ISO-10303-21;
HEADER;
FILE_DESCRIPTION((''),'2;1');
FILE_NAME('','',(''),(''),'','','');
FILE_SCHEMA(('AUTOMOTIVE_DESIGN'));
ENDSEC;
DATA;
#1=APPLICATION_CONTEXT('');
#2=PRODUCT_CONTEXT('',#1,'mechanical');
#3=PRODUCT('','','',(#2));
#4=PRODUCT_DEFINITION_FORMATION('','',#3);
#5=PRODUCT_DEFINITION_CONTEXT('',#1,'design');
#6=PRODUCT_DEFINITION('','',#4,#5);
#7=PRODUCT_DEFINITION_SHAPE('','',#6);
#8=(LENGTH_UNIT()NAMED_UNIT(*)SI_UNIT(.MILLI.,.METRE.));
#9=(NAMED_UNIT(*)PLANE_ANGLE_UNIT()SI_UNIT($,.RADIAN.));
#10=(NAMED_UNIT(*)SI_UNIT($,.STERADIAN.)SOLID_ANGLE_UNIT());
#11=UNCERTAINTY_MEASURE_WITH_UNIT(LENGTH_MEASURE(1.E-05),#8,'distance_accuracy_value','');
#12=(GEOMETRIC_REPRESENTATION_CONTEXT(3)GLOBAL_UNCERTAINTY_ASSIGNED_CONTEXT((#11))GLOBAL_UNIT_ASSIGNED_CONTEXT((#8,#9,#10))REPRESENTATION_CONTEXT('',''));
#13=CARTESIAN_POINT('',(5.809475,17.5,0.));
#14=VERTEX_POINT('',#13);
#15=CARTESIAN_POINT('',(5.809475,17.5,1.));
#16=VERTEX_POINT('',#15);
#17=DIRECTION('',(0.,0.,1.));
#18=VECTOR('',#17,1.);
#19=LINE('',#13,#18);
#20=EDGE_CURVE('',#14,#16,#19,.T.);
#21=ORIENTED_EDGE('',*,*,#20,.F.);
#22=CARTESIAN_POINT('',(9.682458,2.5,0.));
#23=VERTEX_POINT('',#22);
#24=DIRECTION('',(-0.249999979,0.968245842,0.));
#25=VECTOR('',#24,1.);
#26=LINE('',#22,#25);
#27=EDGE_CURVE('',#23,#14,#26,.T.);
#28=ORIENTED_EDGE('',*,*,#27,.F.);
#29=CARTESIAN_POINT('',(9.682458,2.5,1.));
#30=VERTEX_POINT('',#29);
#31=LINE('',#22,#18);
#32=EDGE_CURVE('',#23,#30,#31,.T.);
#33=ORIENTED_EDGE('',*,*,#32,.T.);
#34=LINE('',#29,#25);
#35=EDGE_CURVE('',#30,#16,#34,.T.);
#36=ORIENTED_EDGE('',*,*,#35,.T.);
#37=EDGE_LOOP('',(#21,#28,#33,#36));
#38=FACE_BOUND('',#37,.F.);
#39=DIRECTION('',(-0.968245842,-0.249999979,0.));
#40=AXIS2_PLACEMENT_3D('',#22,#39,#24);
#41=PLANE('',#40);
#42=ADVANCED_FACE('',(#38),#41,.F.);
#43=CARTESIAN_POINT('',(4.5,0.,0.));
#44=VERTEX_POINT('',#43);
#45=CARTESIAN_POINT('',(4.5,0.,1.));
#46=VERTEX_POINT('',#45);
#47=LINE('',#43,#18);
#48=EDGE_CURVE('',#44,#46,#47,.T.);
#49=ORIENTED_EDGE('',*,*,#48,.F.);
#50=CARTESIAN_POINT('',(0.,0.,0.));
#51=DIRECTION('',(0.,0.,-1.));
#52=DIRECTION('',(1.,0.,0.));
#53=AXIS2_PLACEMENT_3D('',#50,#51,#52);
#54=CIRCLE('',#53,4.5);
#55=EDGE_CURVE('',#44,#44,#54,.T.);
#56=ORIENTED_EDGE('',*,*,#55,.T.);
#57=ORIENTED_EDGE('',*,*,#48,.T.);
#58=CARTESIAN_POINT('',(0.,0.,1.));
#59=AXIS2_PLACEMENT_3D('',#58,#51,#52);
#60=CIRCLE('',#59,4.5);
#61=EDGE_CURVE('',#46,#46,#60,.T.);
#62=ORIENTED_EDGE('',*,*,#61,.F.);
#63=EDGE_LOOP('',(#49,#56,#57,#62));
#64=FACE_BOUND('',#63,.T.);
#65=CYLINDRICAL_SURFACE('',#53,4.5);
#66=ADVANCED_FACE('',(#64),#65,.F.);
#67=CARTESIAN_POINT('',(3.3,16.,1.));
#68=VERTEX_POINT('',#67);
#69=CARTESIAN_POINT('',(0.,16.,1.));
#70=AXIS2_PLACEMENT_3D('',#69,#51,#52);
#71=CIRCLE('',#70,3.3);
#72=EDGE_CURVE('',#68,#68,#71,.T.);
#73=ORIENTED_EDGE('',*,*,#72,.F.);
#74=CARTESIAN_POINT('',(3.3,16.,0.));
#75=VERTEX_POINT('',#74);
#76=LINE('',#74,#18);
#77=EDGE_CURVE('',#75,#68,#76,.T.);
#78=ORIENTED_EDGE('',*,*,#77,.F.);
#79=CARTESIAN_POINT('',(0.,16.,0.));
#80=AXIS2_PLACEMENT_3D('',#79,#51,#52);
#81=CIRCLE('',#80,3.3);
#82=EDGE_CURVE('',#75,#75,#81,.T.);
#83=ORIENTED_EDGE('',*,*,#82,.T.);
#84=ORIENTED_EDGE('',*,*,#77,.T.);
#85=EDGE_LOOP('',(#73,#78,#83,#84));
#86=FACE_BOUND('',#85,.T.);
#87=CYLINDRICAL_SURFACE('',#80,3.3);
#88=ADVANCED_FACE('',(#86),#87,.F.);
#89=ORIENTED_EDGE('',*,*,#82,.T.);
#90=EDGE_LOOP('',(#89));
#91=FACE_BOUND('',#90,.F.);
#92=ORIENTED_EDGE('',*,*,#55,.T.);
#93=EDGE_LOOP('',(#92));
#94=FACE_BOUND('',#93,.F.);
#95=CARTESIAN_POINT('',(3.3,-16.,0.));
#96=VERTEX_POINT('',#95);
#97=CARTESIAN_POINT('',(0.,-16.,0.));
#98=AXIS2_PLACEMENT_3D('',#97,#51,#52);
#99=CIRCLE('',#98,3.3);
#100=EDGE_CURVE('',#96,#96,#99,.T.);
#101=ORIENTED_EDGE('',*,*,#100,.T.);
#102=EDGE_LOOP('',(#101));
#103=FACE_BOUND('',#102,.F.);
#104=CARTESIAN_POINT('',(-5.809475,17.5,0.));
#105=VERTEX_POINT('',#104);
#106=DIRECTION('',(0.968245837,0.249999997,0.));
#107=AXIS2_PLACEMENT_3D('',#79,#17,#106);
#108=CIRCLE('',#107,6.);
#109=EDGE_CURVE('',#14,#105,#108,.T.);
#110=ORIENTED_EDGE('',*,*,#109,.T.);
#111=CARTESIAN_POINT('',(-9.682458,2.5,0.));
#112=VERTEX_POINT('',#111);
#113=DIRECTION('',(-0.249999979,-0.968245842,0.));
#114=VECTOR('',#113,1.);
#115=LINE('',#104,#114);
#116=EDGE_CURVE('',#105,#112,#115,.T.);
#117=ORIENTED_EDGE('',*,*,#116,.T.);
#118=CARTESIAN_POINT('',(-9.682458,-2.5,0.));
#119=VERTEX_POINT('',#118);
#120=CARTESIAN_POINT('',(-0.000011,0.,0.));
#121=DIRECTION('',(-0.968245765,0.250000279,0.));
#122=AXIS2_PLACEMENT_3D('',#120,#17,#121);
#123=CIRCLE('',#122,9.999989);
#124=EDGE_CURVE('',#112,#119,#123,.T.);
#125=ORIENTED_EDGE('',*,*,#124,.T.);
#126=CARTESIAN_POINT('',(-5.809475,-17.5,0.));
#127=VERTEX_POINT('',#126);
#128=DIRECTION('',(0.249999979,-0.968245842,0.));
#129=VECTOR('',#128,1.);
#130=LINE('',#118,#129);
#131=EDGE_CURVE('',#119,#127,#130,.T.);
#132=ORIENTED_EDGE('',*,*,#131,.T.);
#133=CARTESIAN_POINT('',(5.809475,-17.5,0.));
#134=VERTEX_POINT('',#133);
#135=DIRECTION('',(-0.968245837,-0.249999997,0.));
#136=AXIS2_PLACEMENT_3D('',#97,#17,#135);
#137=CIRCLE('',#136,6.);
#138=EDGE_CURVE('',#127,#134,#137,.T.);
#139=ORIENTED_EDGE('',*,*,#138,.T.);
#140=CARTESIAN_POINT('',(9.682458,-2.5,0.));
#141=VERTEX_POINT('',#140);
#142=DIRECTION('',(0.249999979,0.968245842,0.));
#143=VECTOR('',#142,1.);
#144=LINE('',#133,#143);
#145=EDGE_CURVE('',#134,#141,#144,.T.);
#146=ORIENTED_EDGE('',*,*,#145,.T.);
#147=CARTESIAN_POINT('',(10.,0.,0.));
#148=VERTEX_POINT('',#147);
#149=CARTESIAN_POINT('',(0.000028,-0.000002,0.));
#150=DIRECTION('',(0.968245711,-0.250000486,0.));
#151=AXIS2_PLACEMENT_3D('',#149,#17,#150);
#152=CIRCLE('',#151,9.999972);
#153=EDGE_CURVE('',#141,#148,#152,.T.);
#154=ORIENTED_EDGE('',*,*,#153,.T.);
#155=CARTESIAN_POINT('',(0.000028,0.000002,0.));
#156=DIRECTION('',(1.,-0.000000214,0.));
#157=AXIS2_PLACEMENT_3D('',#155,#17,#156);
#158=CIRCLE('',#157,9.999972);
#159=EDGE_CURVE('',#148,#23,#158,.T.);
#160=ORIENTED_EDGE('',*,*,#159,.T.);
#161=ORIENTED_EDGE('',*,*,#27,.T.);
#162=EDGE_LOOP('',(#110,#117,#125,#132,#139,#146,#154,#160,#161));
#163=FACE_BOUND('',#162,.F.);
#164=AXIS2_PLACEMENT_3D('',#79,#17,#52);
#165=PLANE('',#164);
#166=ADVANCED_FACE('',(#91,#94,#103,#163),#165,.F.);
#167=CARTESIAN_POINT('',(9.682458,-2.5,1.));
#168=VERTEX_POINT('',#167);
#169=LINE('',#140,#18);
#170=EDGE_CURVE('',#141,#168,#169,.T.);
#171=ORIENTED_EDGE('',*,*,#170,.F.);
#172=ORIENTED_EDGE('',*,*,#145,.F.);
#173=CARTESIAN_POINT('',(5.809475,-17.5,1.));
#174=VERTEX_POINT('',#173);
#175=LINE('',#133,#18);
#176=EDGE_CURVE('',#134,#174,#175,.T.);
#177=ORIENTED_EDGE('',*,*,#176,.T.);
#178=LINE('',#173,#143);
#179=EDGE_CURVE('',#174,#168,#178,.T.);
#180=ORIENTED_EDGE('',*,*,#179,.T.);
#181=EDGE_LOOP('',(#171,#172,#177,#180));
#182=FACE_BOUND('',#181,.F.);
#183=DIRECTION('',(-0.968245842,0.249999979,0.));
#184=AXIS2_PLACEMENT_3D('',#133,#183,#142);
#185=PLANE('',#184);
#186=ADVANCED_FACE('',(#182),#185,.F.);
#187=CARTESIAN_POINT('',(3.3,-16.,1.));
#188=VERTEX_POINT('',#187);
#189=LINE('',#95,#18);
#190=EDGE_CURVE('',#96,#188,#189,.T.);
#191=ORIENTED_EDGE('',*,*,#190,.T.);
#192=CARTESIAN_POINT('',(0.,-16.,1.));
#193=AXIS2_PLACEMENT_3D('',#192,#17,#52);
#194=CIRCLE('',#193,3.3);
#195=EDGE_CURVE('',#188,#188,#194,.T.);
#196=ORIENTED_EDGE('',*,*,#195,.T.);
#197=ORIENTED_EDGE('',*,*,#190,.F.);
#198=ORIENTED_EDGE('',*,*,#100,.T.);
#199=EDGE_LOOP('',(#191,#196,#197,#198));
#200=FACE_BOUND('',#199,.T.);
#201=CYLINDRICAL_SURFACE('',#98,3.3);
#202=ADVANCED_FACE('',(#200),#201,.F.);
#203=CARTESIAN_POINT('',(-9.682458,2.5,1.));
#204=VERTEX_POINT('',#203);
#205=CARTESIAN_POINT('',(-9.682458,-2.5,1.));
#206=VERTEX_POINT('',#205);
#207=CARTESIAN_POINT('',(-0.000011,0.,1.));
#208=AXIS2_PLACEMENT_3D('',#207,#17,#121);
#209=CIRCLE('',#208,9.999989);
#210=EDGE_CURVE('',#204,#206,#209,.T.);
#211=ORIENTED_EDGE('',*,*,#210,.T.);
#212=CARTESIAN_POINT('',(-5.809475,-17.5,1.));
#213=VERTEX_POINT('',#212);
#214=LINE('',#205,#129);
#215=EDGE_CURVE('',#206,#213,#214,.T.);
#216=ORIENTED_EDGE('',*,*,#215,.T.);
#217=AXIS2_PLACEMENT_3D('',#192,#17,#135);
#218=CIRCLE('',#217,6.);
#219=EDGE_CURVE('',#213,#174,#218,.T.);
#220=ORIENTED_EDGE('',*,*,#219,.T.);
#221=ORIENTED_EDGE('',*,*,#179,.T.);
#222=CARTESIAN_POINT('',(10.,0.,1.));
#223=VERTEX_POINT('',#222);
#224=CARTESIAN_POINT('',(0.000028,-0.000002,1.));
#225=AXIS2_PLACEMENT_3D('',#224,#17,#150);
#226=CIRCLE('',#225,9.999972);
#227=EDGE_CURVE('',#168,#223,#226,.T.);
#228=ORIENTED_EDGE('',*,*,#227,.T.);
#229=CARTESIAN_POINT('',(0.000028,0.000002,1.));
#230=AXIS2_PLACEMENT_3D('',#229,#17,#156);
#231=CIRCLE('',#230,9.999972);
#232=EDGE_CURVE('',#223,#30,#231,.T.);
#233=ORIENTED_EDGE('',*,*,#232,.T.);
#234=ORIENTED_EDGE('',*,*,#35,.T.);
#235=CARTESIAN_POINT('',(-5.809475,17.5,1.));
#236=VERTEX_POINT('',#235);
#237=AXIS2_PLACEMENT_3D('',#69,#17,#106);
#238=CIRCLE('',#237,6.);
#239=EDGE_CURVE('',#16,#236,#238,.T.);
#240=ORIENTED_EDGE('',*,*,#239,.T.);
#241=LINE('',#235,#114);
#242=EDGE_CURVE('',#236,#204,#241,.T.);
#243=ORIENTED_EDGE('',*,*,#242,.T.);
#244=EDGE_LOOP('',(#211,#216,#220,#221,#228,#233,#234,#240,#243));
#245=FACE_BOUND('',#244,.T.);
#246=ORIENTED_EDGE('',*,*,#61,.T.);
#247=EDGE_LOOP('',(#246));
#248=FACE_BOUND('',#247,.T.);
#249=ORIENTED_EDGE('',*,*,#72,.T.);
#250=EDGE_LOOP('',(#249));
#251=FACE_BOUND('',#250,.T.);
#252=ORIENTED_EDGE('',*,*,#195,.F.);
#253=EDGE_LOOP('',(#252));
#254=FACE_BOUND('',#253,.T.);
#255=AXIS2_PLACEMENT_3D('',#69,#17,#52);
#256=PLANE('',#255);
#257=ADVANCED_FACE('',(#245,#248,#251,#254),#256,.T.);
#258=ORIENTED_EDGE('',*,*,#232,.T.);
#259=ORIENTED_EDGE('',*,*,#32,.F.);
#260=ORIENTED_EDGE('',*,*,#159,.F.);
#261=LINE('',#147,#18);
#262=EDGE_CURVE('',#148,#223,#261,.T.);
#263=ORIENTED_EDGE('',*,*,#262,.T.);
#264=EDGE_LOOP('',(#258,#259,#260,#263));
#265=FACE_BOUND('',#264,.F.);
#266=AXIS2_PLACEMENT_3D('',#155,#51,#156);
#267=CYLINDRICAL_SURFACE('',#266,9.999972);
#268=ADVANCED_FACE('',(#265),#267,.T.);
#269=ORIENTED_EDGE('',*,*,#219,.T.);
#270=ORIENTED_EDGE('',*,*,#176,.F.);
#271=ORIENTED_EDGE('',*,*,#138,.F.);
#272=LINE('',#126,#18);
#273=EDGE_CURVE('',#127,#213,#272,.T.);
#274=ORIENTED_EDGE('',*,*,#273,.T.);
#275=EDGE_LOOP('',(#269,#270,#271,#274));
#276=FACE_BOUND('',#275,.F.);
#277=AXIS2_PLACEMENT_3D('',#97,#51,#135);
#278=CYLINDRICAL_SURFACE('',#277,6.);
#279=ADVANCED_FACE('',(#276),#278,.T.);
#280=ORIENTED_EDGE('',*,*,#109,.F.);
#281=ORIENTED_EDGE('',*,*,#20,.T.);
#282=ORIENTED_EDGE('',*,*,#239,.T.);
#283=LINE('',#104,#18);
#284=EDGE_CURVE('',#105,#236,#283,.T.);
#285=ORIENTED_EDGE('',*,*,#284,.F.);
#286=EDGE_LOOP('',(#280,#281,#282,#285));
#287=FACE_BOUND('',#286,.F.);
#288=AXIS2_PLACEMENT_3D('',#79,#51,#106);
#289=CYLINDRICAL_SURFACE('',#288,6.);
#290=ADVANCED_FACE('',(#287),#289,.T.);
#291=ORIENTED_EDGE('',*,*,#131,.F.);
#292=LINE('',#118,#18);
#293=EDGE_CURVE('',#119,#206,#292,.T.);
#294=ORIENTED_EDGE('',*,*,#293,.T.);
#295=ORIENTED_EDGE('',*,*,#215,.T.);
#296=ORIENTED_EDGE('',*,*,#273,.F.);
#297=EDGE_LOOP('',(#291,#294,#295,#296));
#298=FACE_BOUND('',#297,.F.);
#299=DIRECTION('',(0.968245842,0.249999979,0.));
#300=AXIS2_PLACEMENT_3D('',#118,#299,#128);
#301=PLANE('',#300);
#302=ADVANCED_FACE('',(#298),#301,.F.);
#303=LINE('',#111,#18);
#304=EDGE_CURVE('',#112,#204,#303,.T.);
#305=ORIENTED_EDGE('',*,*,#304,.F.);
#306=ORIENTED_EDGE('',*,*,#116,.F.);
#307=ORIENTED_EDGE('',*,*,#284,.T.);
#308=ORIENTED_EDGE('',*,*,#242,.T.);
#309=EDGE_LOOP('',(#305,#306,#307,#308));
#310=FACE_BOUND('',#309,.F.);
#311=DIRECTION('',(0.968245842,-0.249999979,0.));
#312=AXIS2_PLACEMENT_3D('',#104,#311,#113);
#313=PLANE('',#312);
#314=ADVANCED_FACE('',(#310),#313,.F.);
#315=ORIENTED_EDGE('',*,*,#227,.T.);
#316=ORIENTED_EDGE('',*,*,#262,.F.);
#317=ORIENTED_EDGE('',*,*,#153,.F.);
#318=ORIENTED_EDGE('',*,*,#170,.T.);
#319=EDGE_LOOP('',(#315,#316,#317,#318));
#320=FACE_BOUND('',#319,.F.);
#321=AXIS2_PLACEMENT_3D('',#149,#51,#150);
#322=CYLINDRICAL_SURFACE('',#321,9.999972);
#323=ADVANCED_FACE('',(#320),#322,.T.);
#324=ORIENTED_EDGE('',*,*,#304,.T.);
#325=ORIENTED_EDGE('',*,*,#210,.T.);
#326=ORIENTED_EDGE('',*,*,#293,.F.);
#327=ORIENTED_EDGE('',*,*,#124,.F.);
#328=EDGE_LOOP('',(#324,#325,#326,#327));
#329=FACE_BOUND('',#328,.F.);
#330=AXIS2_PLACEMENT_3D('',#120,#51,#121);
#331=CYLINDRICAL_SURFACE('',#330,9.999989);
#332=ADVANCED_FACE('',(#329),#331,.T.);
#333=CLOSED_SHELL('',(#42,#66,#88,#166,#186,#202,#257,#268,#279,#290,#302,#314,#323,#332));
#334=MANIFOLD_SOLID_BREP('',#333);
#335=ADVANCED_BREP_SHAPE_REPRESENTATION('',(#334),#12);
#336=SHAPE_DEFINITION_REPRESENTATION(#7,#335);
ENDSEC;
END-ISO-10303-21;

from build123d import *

# Parameters (mm, degrees)
F0_R     = 3.3
F0_R_2   = 4.5
F1_DEPTH = 1
F2_D     = 6.6
F3_D     = 6.6
F4_D     = 9


with BuildPart() as f1:
    # F0 (on Top) → F1 (new body)
    with BuildSketch(Plane.XY):
        with Locations((0, 16)):
            Circle(F0_R)
        Circle(F0_R_2)
        with Locations((0, -16)):
            Circle(F0_R)
        with BuildLine():
            ThreePointArc((0, 10), (6.123724, 7.905694), (9.682458, 2.5))
            Line((9.682458, 2.5), (5.809475, 17.5))
            ThreePointArc((5.809475, 17.5), (5.952178, 16.756026), (6, 16))
            ThreePointArc((6, 16), (4.242641, 11.757359), (0, 10))
        make_face()
        with BuildLine():
            ThreePointArc((-9.682458, 2.5), (-6.123724, 7.905694), (0, 10))
            ThreePointArc((0, 10), (-4.743416, 12.325765), (-5.809475, 17.5))
            Line((-5.809475, 17.5), (-9.682458, 2.5))
        make_face()
        with BuildLine():
            Line((5.809475, -17.5), (9.682458, -2.5))
            ThreePointArc((9.682458, -2.5), (6.123724, -7.905694), (0, -10))
            ThreePointArc((0, -10), (4.242641, -11.757359), (6, -16))
            ThreePointArc((6, -16), (5.952178, -16.756026), (5.809475, -17.5))
        make_face()
        with BuildLine():
            ThreePointArc((-5.809475, -17.5), (-4.743416, -12.325765), (0, -10))
            ThreePointArc((0, -10), (-6.123724, -7.905694), (-9.682458, -2.5))
            Line((-9.682458, -2.5), (-5.809475, -17.5))
        make_face()
        with BuildLine():
            ThreePointArc((6, -16), (4.242641, -11.757359), (0, -10))
            ThreePointArc((0, -10), (-4.743416, -12.325765), (-5.809475, -17.5))
            ThreePointArc((-5.809475, -17.5), (0, -22), (5.809475, -17.5))
            ThreePointArc((5.809475, -17.5), (5.952178, -16.756026), (6, -16))
        make_face()
        with Locations((0, -16)):
            Circle(F0_R, mode=Mode.SUBTRACT)
        with BuildLine():
            ThreePointArc((-5.809475, 17.5), (-4.743416, 12.325765), (0, 10))
            ThreePointArc((0, 10), (4.242641, 11.757359), (6, 16))
            ThreePointArc((6, 16), (5.952178, 16.756026), (5.809475, 17.5))
            ThreePointArc((5.809475, 17.5), (0, 22), (-5.809475, 17.5))
        make_face()
        with Locations((0, 16)):
            Circle(F0_R, mode=Mode.SUBTRACT)
        with BuildLine():
            ThreePointArc((9.682458, -2.5), (9.920297, -1.260043), (10, 0))
            ThreePointArc((10, 0), (9.920297, 1.260043), (9.682458, 2.5))
            ThreePointArc((9.682458, 2.5), (6.123724, 7.905694), (0, 10))
            ThreePointArc((0, 10), (-6.123724, 7.905694), (-9.682458, 2.5))
            ThreePointArc((-9.682458, 2.5), (-10, 0), (-9.682458, -2.5))
            ThreePointArc((-9.682458, -2.5), (-6.123724, -7.905694), (0, -10))
            ThreePointArc((0, -10), (6.123724, -7.905694), (9.682458, -2.5))
        make_face()
        Circle(F0_R_2, mode=Mode.SUBTRACT)
    extrude(amount=F1_DEPTH)

    # F2 (through all)
    with Locations(Plane(origin=(0, 0, 0), x_dir=(1, 0, 0), z_dir=(0, 0, -1))):
        with Locations((0, 16)):
            Hole(F2_D / 2)

    # F3 (through all)
    with Locations(Plane(origin=(0, 0, 0), x_dir=(1, 0, 0), z_dir=(0, 0, -1))):
        with Locations((0, -16)):
            Hole(F3_D / 2)

    # F4 (through all)
    with Locations(Plane(origin=(0, 0, 0), x_dir=(1, 0, 0), z_dir=(0, 0, -1))):
        with Locations((0, 0)):
            Hole(F4_D / 2)


solid = f1.part
